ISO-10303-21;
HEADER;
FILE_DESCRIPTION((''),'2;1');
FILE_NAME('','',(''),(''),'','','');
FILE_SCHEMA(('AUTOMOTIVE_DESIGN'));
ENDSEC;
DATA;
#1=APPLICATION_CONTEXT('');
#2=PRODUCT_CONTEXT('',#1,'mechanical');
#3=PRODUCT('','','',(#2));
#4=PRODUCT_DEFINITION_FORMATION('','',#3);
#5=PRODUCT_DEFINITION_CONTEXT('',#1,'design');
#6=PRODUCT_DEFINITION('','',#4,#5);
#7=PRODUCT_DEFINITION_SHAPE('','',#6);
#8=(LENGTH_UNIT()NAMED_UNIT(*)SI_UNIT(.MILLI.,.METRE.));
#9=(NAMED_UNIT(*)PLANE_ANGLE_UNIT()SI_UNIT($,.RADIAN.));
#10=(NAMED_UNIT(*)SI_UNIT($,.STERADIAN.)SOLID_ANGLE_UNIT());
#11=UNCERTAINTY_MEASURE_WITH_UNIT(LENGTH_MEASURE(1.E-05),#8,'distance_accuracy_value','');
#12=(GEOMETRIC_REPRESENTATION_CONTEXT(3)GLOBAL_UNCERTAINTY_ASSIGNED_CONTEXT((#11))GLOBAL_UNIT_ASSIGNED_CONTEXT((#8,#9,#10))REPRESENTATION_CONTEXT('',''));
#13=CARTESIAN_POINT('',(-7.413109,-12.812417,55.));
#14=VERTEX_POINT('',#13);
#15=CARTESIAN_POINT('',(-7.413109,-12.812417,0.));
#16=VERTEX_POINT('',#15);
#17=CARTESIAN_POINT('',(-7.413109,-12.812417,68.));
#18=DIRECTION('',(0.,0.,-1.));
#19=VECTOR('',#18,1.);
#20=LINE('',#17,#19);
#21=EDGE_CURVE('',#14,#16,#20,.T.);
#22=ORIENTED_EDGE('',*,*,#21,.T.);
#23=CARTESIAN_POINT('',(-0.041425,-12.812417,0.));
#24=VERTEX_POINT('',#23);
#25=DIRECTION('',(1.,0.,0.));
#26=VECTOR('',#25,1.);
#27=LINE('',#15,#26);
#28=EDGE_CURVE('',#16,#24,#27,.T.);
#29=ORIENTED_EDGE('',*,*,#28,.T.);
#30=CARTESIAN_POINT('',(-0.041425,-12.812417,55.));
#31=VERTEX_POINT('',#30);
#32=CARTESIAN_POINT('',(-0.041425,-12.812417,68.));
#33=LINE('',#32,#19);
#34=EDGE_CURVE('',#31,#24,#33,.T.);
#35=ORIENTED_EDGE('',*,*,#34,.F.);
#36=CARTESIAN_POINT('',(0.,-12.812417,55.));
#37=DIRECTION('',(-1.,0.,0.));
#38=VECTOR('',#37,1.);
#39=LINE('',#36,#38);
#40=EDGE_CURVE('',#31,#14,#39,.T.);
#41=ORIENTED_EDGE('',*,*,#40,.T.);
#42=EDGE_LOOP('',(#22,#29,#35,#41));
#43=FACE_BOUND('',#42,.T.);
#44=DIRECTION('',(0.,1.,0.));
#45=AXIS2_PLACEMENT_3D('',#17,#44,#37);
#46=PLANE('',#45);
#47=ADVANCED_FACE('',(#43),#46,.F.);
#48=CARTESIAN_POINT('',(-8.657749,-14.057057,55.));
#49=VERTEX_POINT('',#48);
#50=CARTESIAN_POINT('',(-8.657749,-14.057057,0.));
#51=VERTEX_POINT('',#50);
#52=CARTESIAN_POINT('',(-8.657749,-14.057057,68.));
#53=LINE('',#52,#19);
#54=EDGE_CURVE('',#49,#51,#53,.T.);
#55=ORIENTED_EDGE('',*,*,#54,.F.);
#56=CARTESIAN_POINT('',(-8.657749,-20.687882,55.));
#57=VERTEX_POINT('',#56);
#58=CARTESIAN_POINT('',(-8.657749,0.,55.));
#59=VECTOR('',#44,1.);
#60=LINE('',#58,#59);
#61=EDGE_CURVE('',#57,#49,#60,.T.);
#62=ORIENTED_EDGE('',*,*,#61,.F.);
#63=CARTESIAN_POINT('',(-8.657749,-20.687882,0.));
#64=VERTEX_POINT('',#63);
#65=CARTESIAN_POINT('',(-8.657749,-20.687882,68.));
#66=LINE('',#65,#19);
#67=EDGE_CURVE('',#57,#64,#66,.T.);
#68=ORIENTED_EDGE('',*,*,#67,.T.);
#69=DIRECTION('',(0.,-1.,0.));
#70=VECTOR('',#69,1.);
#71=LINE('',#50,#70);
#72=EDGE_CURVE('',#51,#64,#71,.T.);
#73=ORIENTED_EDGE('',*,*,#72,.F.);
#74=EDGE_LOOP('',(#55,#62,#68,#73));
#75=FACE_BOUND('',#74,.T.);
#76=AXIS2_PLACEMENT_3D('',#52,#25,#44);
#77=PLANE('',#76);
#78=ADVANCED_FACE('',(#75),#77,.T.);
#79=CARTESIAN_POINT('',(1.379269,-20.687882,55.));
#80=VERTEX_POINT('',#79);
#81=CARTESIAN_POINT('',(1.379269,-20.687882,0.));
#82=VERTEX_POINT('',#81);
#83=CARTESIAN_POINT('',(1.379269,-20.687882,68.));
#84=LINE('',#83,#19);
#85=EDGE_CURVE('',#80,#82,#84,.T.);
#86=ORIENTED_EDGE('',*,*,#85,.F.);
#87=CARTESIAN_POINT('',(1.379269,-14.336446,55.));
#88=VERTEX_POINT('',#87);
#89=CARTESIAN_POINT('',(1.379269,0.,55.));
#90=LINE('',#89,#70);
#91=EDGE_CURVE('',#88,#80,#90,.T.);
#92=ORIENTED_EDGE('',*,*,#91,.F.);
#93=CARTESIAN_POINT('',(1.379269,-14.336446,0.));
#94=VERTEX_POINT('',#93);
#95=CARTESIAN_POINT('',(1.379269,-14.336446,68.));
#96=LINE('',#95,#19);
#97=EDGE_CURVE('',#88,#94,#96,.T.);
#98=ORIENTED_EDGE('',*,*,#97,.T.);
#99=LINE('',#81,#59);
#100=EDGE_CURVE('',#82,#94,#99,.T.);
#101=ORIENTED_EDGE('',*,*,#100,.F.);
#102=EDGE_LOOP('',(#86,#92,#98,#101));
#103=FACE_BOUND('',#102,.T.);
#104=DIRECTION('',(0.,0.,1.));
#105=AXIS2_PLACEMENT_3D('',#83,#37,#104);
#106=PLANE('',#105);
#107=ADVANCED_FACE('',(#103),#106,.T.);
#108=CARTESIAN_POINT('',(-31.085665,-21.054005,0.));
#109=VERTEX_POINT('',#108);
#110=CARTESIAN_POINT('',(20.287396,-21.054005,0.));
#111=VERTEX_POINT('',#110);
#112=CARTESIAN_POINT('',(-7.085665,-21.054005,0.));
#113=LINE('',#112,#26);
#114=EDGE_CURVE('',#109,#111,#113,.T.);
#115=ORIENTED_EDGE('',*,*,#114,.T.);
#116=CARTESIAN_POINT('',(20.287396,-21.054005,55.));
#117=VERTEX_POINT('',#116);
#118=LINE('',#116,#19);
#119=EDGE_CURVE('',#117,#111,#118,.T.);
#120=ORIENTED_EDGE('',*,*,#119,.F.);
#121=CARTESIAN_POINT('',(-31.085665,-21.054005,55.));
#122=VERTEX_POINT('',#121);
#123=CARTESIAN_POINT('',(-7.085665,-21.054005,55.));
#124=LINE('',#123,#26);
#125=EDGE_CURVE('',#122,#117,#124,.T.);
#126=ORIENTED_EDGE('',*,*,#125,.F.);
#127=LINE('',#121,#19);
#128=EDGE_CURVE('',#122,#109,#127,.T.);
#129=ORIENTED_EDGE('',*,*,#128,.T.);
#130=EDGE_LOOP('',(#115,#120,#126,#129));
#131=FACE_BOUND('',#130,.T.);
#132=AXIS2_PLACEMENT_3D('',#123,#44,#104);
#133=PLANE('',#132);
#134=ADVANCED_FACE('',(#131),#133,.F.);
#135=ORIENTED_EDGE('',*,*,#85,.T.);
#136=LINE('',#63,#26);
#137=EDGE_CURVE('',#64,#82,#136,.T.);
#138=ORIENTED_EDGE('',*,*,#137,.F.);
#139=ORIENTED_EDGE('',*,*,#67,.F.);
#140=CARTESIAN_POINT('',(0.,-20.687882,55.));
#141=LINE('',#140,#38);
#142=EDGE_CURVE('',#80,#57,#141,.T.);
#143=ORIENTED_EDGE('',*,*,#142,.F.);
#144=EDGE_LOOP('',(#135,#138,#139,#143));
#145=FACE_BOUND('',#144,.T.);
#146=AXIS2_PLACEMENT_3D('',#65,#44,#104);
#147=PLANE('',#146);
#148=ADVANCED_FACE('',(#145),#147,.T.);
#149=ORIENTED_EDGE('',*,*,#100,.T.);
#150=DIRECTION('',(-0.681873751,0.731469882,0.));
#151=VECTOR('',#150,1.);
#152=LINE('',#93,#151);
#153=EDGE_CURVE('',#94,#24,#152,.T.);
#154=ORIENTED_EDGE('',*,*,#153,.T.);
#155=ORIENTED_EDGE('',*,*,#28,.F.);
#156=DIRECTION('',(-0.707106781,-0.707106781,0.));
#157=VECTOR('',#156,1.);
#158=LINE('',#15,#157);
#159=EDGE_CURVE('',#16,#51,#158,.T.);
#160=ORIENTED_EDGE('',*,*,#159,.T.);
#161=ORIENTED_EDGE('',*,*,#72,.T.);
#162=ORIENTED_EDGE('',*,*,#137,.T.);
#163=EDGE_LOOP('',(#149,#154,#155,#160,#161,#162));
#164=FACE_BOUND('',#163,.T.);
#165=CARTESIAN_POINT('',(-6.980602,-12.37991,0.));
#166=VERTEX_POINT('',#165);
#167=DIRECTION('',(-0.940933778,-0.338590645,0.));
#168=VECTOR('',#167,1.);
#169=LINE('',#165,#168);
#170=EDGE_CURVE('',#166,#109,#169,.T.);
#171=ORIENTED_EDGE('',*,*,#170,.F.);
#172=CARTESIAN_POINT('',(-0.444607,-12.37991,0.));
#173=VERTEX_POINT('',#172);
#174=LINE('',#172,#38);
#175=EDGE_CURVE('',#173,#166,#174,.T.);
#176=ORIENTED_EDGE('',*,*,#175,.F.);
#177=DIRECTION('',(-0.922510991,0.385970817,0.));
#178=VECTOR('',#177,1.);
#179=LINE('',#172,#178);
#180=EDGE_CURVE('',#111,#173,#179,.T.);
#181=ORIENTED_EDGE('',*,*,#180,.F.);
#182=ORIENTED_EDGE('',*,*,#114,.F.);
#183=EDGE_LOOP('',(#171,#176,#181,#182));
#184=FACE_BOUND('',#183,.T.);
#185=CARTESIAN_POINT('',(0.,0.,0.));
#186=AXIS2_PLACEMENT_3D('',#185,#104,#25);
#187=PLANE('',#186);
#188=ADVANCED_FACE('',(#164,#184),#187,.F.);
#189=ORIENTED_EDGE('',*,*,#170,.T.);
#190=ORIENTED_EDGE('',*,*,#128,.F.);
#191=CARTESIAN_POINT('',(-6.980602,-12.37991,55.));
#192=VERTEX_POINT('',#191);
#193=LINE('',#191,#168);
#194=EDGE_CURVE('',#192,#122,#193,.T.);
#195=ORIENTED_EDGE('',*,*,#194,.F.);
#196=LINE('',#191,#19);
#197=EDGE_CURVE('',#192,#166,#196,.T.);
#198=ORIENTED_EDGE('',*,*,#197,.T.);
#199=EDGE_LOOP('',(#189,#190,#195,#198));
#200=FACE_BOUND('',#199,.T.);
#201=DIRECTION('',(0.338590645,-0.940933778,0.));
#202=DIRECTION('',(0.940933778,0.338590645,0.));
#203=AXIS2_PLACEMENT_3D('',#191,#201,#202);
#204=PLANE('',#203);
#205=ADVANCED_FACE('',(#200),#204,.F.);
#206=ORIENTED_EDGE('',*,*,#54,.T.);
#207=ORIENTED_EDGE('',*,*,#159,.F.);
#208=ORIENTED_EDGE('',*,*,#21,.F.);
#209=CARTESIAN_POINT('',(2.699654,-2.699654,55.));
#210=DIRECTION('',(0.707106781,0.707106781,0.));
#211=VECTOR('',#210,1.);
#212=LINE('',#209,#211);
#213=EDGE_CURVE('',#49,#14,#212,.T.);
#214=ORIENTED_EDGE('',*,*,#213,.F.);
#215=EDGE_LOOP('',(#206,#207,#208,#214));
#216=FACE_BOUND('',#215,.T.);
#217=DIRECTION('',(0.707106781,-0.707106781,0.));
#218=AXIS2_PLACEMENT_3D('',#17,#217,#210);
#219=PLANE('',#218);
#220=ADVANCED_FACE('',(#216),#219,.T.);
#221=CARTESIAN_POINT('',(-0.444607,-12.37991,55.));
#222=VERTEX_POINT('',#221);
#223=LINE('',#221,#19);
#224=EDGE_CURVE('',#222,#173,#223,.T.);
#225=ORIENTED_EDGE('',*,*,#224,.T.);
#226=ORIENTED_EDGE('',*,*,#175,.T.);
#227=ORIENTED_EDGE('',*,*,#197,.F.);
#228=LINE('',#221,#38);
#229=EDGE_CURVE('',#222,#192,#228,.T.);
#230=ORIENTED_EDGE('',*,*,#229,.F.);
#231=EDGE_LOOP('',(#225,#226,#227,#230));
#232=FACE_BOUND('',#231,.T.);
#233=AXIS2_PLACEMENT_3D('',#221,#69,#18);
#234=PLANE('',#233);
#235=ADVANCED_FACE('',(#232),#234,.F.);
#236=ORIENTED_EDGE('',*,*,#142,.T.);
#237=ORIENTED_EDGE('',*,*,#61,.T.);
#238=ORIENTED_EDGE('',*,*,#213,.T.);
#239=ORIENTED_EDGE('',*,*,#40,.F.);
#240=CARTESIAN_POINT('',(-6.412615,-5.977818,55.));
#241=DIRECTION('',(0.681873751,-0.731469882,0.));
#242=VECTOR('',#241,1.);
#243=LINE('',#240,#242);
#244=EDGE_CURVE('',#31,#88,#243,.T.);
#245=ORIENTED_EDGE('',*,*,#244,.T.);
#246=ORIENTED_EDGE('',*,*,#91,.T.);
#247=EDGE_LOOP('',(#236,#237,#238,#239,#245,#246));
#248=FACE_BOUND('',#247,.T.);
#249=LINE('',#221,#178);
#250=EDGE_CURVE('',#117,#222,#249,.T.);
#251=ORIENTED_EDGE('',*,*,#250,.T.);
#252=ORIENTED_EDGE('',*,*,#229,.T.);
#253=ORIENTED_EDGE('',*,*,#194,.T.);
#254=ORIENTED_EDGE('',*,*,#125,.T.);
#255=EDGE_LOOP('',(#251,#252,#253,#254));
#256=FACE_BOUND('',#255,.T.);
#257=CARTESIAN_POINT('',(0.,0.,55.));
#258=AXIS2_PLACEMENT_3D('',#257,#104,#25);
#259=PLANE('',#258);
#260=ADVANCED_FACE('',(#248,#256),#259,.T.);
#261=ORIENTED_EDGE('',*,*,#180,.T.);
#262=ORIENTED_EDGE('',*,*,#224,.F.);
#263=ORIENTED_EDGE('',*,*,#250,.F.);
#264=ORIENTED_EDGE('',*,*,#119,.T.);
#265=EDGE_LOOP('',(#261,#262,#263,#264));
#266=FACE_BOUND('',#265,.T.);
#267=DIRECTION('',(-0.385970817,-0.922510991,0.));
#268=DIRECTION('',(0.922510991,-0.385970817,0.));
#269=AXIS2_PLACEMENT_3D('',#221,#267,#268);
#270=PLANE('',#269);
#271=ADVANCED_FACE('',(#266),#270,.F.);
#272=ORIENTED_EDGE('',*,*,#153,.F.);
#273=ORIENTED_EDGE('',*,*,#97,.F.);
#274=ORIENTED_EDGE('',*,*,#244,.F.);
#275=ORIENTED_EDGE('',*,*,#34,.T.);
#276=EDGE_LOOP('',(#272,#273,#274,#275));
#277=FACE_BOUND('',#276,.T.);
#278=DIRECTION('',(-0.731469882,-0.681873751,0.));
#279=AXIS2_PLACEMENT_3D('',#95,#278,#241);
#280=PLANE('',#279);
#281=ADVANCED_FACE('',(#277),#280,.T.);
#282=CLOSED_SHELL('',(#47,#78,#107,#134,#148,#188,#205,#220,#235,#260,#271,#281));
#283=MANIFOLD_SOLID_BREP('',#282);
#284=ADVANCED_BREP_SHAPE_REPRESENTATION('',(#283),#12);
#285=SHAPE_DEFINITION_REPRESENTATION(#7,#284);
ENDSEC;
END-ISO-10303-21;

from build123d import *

# Parameters (mm, degrees)
SALIENTE_EXTRUIR1_DEPTH = 55
CORTAR_EXTRUIR1_DEPTH   = 68


with BuildPart() as part:
    # Croquis1 → Saliente-Extruir1 (new body)
    with BuildSketch(Plane.XY):
        Polygon((-7.08566541, -21.054004681), (20.287395509, -21.054004681), (-0.444607291, -12.379909579), (-6.980601691, -12.379909579), (-31.08566541, -21.054004681), align=None)
    extrude(amount=SALIENTE_EXTRUIR1_DEPTH)

    # Croquis2 → Cortar-Extruir1 (cut)
    with BuildSketch(Plane.XY):
        Polygon((-7.413108938, -12.812416826), (-0.041425498, -12.812416826), (1.379269414, -14.336446074), (1.379269414, -20.687882008), (-8.657749406, -20.687882008), (-8.657749406, -14.057057294), align=None)
    extrude(amount=CORTAR_EXTRUIR1_DEPTH, mode=Mode.SUBTRACT)


solid = part.part
